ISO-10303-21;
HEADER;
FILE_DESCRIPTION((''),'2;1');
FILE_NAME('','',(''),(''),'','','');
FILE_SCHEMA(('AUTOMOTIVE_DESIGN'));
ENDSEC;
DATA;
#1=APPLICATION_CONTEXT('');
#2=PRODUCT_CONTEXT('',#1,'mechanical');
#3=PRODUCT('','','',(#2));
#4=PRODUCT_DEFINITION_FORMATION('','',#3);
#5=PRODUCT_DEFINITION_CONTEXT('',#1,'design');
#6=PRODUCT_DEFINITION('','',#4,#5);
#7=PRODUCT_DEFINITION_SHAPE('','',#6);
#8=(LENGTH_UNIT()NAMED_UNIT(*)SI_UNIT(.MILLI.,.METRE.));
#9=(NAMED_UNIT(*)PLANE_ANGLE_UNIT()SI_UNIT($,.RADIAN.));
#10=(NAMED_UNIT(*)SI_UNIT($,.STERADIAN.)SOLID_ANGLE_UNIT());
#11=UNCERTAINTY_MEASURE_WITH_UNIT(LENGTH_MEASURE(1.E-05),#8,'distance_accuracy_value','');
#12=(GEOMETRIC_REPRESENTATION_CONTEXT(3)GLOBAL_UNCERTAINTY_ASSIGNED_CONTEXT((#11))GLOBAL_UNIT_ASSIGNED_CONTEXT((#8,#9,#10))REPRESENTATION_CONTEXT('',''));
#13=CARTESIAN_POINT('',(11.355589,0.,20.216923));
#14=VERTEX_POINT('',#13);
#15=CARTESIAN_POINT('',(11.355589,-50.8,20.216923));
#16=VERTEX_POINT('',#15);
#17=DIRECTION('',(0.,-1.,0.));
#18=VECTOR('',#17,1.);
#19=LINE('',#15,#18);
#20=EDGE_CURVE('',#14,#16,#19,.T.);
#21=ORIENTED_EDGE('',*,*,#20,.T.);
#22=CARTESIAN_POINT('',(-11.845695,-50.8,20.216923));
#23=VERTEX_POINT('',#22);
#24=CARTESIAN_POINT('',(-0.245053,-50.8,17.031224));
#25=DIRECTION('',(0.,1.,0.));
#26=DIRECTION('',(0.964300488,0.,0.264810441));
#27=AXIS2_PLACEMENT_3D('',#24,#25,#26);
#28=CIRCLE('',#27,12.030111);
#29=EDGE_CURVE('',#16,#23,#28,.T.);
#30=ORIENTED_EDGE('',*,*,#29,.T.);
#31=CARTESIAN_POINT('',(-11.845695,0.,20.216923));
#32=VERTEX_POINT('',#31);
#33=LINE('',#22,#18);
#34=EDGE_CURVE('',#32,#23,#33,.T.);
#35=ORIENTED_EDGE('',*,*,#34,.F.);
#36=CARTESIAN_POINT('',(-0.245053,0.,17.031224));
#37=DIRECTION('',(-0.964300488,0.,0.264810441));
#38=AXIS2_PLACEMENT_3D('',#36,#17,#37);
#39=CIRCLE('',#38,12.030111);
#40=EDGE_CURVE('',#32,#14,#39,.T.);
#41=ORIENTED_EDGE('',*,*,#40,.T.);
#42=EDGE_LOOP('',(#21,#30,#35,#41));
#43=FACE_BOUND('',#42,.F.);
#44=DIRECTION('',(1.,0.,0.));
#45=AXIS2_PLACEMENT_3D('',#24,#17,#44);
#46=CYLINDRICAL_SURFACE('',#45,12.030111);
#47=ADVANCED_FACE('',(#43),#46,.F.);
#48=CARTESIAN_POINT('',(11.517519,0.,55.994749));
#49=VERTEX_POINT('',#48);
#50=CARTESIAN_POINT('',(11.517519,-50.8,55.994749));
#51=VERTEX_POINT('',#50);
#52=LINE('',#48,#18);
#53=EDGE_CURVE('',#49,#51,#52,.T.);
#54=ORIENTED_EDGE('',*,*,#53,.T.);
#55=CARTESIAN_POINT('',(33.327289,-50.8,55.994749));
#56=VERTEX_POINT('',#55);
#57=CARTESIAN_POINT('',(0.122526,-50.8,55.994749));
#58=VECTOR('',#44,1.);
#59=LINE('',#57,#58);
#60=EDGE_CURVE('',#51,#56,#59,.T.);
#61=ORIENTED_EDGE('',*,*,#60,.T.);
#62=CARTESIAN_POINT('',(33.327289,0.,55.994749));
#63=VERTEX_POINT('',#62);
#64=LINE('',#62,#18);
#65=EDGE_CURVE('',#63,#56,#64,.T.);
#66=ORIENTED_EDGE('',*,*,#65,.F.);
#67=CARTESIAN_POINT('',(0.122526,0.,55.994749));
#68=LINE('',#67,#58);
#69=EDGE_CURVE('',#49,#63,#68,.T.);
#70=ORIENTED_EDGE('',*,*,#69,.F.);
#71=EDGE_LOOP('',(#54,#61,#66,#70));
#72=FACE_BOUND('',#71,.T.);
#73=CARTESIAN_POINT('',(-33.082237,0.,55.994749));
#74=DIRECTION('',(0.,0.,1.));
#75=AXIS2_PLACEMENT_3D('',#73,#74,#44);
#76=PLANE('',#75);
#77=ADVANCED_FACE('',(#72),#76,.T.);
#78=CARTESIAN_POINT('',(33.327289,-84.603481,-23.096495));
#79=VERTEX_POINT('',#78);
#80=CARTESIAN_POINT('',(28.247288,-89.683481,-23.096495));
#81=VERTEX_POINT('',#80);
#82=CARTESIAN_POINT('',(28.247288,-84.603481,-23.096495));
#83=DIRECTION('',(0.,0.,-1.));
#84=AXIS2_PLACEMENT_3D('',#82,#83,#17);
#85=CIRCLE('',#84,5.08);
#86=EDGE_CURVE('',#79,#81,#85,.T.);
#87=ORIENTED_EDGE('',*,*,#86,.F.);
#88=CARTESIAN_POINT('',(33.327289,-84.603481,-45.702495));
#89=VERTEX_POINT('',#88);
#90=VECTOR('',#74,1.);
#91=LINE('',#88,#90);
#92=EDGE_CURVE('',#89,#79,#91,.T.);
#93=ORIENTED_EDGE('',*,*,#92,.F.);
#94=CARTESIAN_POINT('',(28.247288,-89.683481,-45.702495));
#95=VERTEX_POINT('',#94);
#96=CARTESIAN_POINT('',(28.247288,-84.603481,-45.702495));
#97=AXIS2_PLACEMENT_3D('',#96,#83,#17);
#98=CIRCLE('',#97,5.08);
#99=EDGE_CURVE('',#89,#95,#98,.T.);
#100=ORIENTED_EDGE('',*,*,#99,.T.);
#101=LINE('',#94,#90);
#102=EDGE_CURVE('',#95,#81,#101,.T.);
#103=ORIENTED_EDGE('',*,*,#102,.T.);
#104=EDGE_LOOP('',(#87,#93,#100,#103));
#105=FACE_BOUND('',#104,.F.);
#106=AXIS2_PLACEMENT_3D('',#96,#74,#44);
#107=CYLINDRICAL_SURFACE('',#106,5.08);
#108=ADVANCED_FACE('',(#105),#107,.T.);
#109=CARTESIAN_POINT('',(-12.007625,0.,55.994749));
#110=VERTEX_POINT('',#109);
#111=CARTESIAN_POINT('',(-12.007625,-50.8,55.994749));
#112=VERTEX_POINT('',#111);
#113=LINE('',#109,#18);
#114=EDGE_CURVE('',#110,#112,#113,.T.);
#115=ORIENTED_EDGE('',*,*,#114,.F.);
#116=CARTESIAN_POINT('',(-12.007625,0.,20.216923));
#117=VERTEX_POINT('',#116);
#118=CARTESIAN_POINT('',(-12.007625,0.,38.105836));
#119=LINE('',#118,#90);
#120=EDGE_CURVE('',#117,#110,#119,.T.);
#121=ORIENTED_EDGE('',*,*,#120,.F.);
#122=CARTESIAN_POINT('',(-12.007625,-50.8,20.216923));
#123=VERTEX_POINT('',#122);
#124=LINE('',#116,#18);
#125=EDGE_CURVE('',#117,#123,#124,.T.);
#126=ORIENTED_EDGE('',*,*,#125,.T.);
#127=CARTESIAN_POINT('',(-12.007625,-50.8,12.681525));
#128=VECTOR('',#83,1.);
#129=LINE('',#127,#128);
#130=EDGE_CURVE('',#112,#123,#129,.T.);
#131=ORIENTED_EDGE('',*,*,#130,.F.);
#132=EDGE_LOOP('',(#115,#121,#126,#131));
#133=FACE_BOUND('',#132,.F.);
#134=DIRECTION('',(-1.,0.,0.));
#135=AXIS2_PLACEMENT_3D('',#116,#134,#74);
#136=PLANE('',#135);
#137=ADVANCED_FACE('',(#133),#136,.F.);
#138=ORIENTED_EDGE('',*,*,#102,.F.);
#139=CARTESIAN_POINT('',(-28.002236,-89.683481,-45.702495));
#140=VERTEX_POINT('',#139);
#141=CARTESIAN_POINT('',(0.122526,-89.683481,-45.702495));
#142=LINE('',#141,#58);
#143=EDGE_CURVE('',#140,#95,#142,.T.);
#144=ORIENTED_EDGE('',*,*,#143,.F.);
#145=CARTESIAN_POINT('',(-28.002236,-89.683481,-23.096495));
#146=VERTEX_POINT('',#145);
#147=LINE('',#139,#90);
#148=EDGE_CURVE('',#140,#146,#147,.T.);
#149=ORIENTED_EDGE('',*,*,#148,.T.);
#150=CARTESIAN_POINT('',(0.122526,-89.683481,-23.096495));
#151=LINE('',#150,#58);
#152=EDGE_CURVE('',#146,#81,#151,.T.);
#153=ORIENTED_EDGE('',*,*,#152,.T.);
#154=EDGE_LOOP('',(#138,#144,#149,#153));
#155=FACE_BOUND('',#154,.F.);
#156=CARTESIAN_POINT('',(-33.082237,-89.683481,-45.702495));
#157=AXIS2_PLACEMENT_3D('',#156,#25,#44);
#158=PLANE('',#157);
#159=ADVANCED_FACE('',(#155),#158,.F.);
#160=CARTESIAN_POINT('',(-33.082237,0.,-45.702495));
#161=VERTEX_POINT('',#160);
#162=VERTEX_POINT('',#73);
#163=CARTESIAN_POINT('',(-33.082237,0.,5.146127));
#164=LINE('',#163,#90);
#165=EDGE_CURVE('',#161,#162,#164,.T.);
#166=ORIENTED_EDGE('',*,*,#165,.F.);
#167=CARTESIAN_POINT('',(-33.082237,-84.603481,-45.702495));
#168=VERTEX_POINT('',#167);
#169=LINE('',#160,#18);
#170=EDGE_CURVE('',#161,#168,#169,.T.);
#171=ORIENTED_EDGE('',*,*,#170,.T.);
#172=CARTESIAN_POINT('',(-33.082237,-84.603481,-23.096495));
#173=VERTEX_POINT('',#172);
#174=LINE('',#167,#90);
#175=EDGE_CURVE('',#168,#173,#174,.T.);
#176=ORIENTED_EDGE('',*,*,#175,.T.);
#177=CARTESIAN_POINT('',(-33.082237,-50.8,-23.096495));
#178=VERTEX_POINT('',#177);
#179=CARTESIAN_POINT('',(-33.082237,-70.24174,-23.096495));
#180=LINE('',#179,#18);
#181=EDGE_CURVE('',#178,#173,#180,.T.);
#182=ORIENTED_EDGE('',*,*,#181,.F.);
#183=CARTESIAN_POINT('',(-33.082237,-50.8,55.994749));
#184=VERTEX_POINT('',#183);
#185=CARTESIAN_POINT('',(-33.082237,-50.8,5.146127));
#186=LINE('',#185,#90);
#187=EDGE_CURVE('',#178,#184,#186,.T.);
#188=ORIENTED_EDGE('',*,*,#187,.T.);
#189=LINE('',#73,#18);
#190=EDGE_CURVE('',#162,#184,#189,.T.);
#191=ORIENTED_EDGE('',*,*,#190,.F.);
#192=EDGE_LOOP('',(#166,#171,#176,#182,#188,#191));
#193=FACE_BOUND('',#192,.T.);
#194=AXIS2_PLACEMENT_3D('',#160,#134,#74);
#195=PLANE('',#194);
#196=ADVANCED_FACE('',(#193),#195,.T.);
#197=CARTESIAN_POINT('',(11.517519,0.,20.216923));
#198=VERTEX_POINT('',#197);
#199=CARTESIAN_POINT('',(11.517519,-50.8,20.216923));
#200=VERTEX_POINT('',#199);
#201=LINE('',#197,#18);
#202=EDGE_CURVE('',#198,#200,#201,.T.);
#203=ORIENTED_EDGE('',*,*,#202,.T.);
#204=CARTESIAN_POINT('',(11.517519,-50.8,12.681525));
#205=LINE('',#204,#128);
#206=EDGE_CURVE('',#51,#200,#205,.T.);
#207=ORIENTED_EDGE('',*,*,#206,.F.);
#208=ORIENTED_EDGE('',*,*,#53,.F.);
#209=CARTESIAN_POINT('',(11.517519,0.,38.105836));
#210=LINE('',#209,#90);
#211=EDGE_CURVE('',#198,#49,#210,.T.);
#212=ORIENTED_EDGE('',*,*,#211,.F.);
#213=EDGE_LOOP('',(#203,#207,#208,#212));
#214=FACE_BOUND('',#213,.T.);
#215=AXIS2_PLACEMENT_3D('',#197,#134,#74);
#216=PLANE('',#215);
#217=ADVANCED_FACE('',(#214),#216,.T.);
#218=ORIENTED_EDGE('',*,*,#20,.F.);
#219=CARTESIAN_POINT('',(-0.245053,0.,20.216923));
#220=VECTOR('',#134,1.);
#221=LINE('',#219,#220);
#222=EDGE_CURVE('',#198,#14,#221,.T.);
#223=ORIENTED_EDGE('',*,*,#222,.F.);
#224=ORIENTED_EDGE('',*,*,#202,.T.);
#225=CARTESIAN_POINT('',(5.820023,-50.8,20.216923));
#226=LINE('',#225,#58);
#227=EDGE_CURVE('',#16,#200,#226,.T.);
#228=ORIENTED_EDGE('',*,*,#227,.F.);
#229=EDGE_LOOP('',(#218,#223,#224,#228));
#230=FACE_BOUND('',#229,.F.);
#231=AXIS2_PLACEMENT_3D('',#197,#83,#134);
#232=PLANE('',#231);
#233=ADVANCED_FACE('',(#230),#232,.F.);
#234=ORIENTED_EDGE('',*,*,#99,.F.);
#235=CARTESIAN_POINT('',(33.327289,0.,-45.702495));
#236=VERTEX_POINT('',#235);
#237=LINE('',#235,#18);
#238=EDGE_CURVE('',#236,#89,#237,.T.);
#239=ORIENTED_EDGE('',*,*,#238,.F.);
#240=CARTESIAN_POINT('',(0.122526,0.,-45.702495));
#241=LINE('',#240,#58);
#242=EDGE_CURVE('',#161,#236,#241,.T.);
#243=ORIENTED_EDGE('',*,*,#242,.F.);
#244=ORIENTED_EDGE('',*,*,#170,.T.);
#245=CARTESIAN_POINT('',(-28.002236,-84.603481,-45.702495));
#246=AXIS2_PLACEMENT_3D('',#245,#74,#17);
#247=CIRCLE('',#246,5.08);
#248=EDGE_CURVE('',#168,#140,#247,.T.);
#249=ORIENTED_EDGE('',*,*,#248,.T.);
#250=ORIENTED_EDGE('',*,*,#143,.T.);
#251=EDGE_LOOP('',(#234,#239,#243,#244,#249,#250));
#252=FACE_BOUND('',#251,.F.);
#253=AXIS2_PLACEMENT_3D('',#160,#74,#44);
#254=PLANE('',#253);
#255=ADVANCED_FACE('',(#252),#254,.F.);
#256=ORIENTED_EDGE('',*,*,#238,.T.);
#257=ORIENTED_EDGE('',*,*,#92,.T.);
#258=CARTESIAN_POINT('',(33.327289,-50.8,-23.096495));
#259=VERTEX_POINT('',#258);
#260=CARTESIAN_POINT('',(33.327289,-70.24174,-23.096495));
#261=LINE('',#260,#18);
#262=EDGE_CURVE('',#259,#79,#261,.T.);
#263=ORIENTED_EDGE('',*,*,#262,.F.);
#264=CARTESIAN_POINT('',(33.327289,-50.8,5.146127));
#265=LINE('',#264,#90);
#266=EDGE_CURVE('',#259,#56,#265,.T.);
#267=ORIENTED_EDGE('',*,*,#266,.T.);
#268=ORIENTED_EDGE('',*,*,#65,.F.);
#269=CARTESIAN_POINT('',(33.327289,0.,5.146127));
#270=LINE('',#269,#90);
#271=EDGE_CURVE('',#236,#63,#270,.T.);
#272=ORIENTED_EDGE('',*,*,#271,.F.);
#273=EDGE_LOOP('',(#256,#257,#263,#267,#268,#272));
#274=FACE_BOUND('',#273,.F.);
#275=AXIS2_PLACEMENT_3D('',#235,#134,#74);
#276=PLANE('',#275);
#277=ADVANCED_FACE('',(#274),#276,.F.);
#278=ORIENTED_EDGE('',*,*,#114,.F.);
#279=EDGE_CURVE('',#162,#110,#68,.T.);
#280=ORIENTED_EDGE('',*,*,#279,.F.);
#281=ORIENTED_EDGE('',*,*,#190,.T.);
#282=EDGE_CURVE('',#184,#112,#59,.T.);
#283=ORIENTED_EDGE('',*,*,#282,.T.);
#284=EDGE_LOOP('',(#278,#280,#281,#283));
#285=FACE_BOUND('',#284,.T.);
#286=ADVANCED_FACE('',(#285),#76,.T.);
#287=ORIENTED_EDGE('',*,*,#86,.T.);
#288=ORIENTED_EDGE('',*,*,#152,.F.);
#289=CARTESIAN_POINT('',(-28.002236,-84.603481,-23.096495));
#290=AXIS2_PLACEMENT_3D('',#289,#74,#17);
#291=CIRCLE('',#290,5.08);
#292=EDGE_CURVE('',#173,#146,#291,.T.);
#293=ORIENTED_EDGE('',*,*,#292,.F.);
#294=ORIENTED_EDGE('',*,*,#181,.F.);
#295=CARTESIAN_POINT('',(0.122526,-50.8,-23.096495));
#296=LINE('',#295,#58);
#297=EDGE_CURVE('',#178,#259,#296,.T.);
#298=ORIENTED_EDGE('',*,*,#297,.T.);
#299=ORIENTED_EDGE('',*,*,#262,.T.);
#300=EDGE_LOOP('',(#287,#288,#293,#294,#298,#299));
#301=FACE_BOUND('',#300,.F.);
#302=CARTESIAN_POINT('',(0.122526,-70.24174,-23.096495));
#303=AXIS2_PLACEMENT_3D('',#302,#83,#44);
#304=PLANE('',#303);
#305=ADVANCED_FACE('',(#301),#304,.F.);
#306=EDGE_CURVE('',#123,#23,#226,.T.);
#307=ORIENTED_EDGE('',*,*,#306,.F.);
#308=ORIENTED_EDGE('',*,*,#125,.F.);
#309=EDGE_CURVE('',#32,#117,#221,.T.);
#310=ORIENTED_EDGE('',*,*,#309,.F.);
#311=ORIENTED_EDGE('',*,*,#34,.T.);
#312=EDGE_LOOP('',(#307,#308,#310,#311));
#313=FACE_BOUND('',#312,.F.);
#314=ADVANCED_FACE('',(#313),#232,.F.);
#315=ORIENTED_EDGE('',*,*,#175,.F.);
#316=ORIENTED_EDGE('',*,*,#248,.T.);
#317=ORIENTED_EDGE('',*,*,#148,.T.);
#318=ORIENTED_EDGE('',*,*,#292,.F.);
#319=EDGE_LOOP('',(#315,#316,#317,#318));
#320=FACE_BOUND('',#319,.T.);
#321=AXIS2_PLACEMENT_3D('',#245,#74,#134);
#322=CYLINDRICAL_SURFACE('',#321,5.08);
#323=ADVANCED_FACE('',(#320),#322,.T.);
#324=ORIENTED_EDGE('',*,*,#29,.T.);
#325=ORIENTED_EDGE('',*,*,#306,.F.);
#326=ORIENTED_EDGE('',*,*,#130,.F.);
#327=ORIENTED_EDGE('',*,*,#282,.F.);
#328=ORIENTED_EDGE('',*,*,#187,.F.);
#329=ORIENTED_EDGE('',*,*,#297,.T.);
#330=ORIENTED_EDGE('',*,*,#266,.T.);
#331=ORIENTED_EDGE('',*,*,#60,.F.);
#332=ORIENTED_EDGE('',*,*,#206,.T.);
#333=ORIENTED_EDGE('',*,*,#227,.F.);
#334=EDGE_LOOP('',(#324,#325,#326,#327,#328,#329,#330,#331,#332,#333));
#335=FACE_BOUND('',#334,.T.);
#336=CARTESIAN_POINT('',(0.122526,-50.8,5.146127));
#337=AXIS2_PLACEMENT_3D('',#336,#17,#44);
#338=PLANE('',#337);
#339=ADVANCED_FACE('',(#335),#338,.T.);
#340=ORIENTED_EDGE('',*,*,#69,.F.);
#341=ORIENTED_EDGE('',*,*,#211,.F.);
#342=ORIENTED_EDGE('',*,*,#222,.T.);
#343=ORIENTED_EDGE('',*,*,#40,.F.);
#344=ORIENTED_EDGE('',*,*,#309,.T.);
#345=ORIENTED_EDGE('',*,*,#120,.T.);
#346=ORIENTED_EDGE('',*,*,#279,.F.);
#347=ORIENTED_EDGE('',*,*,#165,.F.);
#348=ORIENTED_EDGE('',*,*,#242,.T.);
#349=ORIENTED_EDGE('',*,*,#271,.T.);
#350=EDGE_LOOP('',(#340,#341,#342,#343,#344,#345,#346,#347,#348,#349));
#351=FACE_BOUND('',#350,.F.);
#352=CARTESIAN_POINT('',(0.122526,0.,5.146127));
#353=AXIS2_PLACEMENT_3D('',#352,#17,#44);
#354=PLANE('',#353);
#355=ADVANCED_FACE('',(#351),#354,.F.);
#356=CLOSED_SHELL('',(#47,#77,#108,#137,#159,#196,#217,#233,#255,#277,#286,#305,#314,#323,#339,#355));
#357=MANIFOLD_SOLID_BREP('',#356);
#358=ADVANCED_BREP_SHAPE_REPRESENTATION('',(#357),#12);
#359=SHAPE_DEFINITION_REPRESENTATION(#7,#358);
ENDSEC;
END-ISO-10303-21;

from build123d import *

# Parameters (mm, degrees)
F0_W     = 66.409525
F0_H     = 101.697244
F1_DEPTH = 50.8
F2_W     = 23.525144
F2_H     = 35.777826
F3_DEPTH = 78.232
F4_R     = 12.030111
F5_DEPTH = 92.202
F6_W     = 66.409525
F6_H     = 38.883481
F7_DEPTH = 22.606
F8_R     = 5.08


with BuildPart() as f1:
    # F0 (on Front) → F1 (new body)
    with BuildSketch(Plane.XZ):
        with Locations((0.122526, 5.146127)):
            Rectangle(F0_W, F0_H)
    extrude(amount=F1_DEPTH)

    # F2 (on face) → F3 (cut)
    with BuildSketch(Plane(origin=(0, 0, 0), x_dir=(-1, 0, 0), z_dir=(0, 1, 0))):
        with Locations((0.245053, 38.105836)):
            Rectangle(F2_W, F2_H)
    extrude(amount=-F3_DEPTH, mode=Mode.SUBTRACT)

    # F4 (on face) → F5 (cut)
    with BuildSketch(Plane.XZ.offset(50.8)):
        with Locations((-0.245053, 17.031224)):
            Circle(F4_R)
    extrude(amount=-F5_DEPTH, mode=Mode.SUBTRACT)

    # F6 (on face) → F7 (join)
    with BuildSketch(Plane(origin=(0, 0, -45.702495), x_dir=(1, 0, 0), z_dir=(0, 0, -1))):
        with Locations((0.122526, 70.24174)):
            Rectangle(F6_W, F6_H)
    extrude(amount=-F7_DEPTH)

    # F8
    f8_edges = [f1.edges().sort_by_distance(p)[0] for p in [
        (33.327289, -89.683481, -34.399495),
        (-33.082236, -89.683481, -34.399495),
    ]]
    fillet(f8_edges, radius=F8_R)


solid = f1.part
